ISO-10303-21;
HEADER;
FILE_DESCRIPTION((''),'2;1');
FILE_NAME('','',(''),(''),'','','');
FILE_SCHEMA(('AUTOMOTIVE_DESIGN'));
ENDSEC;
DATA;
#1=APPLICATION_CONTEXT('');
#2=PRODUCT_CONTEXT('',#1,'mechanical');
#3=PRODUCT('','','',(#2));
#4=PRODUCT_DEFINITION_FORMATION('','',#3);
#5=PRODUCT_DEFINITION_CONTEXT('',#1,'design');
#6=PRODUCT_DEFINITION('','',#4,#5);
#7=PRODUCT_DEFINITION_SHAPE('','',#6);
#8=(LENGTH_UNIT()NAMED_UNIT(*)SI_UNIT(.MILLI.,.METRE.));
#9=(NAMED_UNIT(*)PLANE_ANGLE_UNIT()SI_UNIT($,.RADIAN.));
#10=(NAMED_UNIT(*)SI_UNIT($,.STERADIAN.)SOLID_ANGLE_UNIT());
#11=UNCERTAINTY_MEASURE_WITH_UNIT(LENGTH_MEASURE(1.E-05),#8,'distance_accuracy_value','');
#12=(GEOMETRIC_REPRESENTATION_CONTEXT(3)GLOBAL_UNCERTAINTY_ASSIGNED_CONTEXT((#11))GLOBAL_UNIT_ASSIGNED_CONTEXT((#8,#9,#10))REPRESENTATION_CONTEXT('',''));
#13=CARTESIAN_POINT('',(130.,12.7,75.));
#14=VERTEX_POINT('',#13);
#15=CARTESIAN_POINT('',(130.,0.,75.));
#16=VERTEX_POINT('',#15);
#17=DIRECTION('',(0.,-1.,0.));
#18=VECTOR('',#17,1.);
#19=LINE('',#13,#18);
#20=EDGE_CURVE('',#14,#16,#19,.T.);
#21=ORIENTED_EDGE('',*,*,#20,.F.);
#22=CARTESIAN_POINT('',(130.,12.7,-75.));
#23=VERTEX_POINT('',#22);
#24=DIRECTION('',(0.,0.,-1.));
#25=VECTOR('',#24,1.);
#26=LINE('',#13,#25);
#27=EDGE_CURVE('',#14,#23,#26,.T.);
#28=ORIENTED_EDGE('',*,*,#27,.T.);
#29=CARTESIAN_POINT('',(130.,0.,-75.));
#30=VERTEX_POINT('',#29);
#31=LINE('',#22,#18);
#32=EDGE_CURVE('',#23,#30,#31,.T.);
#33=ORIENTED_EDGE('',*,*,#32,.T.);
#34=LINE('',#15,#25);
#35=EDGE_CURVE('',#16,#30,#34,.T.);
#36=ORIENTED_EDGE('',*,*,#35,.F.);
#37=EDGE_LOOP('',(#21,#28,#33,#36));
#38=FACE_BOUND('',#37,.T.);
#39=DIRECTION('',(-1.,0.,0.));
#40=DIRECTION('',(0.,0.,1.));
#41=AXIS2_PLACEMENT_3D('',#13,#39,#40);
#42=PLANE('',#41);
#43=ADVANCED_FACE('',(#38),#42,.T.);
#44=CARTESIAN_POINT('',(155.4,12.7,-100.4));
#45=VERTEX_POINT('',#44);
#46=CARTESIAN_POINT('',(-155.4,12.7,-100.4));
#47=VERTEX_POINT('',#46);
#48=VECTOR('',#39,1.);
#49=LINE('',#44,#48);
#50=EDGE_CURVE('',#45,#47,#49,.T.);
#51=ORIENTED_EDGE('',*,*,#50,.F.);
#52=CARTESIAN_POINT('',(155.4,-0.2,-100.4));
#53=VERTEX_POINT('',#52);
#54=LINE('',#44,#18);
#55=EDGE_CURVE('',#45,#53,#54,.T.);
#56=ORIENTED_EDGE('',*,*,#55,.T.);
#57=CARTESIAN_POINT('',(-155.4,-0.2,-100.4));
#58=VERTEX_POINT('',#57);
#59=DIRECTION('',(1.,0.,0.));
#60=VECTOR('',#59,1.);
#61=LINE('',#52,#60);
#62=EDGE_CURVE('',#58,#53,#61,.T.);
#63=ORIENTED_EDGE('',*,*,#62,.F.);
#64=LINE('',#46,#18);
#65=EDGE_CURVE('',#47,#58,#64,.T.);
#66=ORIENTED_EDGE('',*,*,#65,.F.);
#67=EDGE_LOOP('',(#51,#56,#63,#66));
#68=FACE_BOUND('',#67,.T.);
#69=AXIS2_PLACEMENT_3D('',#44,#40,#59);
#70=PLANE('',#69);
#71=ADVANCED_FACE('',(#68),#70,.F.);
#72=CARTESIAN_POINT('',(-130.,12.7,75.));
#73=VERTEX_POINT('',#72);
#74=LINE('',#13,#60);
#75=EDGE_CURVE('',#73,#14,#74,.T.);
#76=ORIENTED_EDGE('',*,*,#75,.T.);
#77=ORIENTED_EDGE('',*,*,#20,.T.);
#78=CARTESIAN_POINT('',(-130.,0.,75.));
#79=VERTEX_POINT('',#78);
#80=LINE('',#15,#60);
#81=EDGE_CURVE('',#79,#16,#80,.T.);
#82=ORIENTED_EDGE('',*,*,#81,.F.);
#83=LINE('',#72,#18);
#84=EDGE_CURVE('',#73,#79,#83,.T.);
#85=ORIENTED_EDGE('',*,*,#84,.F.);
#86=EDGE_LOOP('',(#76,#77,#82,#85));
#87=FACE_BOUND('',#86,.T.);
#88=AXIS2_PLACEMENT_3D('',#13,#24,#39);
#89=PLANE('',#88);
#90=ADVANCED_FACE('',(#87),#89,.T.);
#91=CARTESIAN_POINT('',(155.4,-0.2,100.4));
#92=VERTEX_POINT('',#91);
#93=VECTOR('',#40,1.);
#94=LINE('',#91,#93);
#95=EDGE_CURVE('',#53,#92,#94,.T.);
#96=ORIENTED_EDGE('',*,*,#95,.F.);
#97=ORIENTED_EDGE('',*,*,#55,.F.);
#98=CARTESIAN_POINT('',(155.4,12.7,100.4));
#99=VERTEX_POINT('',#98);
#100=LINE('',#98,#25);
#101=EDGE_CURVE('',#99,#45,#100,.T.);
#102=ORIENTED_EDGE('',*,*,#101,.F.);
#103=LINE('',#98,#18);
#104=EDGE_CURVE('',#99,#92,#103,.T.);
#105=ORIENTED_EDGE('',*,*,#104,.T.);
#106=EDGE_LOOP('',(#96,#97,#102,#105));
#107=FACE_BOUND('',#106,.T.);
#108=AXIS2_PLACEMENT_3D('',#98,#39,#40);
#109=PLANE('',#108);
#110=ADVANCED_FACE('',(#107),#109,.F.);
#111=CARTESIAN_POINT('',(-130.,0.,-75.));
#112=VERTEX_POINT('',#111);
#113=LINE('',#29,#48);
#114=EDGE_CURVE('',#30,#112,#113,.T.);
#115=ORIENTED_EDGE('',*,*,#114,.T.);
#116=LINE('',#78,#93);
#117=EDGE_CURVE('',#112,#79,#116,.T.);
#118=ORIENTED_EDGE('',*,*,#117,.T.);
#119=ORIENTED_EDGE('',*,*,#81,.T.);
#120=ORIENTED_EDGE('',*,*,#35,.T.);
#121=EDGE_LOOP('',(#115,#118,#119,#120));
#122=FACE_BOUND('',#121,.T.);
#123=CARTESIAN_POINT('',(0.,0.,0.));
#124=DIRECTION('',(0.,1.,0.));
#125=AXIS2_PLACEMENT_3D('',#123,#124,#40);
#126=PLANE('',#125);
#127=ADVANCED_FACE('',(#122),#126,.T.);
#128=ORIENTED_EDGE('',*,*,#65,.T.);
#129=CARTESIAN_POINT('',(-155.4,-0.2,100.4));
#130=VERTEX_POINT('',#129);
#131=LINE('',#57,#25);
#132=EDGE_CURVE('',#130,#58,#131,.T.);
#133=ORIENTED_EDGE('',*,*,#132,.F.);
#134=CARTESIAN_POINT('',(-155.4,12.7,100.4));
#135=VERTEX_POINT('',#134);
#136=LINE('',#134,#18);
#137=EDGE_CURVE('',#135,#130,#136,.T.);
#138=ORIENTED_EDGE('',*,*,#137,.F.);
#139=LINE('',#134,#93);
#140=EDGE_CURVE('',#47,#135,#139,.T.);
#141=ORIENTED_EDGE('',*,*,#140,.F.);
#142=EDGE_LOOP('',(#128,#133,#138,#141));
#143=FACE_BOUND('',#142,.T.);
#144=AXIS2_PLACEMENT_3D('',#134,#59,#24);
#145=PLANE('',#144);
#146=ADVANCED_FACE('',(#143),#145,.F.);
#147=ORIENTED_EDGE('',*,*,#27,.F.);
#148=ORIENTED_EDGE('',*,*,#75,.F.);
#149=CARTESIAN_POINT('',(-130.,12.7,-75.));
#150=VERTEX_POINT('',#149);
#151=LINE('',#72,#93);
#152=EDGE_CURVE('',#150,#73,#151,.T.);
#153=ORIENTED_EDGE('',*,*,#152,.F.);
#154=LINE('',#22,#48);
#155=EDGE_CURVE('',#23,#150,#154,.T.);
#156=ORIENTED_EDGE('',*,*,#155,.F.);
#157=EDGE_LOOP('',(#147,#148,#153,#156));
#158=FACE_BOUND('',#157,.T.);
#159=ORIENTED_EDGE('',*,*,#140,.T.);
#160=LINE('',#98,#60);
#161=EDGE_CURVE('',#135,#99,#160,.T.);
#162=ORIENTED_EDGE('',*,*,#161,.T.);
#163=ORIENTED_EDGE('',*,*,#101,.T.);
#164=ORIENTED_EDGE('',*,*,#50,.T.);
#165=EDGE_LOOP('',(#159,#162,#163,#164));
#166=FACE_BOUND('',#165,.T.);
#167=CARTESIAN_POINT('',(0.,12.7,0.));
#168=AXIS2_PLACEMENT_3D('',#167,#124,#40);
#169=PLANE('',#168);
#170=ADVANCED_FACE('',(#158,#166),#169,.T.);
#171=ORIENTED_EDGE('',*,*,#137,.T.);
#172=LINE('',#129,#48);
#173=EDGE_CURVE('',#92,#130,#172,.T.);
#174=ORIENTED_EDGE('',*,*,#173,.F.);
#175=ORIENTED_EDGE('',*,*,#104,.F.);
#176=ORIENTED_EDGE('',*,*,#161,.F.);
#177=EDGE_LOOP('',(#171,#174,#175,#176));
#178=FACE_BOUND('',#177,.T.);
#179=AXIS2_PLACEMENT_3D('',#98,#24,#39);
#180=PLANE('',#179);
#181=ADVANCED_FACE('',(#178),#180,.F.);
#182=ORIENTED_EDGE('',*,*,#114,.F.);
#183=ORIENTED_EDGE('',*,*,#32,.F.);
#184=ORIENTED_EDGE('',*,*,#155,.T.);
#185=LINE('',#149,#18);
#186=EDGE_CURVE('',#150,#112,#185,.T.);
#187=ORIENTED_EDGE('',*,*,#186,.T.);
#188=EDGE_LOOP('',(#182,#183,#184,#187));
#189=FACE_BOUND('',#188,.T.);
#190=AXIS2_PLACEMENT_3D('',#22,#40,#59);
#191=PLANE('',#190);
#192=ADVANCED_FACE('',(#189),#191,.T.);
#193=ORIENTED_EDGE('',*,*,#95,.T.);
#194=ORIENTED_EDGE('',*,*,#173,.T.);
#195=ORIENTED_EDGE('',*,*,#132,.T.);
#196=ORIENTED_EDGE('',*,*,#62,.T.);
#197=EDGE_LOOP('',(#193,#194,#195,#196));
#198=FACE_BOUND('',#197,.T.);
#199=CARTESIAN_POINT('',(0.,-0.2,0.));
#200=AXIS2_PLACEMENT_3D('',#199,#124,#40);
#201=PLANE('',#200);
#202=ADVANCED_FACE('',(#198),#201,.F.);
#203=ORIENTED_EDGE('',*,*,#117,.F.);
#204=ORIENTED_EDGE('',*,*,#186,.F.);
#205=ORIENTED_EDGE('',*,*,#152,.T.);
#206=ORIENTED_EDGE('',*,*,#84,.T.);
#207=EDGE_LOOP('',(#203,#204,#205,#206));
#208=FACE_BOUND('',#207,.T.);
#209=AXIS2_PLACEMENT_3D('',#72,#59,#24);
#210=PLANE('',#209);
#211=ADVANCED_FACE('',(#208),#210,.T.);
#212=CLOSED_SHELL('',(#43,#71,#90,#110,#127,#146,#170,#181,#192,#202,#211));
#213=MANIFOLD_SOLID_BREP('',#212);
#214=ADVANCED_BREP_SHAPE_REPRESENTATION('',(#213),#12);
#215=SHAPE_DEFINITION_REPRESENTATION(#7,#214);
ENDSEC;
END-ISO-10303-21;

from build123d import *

# Parameters (mm, degrees)
CROQUIS1_W              = 310.8
CROQUIS1_H              = 200.8
CROQUIS1_W_2            = 260
CROQUIS1_H_2            = 150
SALIENTE_EXTRUIR1_DEPTH = 12.7
CROQUIS2_W              = 310.8
CROQUIS2_H              = 200.8
SALIENTE_EXTRUIR2_DEPTH = 0.2


with BuildPart() as part:
    # Croquis1 → Saliente-Extruir1 (new body)
    with BuildSketch(Plane(origin=(0, 0, 0), x_dir=(1, 0, 0), z_dir=(0, 1, 0))):
        Rectangle(CROQUIS1_W, CROQUIS1_H)
        Rectangle(CROQUIS1_W_2, CROQUIS1_H_2, mode=Mode.SUBTRACT)
    extrude(amount=SALIENTE_EXTRUIR1_DEPTH)

    # Croquis2 → Saliente-Extruir2 (add)
    with BuildSketch(Plane.XZ):
        Rectangle(CROQUIS2_W, CROQUIS2_H)
    extrude(amount=SALIENTE_EXTRUIR2_DEPTH)


solid = part.part
